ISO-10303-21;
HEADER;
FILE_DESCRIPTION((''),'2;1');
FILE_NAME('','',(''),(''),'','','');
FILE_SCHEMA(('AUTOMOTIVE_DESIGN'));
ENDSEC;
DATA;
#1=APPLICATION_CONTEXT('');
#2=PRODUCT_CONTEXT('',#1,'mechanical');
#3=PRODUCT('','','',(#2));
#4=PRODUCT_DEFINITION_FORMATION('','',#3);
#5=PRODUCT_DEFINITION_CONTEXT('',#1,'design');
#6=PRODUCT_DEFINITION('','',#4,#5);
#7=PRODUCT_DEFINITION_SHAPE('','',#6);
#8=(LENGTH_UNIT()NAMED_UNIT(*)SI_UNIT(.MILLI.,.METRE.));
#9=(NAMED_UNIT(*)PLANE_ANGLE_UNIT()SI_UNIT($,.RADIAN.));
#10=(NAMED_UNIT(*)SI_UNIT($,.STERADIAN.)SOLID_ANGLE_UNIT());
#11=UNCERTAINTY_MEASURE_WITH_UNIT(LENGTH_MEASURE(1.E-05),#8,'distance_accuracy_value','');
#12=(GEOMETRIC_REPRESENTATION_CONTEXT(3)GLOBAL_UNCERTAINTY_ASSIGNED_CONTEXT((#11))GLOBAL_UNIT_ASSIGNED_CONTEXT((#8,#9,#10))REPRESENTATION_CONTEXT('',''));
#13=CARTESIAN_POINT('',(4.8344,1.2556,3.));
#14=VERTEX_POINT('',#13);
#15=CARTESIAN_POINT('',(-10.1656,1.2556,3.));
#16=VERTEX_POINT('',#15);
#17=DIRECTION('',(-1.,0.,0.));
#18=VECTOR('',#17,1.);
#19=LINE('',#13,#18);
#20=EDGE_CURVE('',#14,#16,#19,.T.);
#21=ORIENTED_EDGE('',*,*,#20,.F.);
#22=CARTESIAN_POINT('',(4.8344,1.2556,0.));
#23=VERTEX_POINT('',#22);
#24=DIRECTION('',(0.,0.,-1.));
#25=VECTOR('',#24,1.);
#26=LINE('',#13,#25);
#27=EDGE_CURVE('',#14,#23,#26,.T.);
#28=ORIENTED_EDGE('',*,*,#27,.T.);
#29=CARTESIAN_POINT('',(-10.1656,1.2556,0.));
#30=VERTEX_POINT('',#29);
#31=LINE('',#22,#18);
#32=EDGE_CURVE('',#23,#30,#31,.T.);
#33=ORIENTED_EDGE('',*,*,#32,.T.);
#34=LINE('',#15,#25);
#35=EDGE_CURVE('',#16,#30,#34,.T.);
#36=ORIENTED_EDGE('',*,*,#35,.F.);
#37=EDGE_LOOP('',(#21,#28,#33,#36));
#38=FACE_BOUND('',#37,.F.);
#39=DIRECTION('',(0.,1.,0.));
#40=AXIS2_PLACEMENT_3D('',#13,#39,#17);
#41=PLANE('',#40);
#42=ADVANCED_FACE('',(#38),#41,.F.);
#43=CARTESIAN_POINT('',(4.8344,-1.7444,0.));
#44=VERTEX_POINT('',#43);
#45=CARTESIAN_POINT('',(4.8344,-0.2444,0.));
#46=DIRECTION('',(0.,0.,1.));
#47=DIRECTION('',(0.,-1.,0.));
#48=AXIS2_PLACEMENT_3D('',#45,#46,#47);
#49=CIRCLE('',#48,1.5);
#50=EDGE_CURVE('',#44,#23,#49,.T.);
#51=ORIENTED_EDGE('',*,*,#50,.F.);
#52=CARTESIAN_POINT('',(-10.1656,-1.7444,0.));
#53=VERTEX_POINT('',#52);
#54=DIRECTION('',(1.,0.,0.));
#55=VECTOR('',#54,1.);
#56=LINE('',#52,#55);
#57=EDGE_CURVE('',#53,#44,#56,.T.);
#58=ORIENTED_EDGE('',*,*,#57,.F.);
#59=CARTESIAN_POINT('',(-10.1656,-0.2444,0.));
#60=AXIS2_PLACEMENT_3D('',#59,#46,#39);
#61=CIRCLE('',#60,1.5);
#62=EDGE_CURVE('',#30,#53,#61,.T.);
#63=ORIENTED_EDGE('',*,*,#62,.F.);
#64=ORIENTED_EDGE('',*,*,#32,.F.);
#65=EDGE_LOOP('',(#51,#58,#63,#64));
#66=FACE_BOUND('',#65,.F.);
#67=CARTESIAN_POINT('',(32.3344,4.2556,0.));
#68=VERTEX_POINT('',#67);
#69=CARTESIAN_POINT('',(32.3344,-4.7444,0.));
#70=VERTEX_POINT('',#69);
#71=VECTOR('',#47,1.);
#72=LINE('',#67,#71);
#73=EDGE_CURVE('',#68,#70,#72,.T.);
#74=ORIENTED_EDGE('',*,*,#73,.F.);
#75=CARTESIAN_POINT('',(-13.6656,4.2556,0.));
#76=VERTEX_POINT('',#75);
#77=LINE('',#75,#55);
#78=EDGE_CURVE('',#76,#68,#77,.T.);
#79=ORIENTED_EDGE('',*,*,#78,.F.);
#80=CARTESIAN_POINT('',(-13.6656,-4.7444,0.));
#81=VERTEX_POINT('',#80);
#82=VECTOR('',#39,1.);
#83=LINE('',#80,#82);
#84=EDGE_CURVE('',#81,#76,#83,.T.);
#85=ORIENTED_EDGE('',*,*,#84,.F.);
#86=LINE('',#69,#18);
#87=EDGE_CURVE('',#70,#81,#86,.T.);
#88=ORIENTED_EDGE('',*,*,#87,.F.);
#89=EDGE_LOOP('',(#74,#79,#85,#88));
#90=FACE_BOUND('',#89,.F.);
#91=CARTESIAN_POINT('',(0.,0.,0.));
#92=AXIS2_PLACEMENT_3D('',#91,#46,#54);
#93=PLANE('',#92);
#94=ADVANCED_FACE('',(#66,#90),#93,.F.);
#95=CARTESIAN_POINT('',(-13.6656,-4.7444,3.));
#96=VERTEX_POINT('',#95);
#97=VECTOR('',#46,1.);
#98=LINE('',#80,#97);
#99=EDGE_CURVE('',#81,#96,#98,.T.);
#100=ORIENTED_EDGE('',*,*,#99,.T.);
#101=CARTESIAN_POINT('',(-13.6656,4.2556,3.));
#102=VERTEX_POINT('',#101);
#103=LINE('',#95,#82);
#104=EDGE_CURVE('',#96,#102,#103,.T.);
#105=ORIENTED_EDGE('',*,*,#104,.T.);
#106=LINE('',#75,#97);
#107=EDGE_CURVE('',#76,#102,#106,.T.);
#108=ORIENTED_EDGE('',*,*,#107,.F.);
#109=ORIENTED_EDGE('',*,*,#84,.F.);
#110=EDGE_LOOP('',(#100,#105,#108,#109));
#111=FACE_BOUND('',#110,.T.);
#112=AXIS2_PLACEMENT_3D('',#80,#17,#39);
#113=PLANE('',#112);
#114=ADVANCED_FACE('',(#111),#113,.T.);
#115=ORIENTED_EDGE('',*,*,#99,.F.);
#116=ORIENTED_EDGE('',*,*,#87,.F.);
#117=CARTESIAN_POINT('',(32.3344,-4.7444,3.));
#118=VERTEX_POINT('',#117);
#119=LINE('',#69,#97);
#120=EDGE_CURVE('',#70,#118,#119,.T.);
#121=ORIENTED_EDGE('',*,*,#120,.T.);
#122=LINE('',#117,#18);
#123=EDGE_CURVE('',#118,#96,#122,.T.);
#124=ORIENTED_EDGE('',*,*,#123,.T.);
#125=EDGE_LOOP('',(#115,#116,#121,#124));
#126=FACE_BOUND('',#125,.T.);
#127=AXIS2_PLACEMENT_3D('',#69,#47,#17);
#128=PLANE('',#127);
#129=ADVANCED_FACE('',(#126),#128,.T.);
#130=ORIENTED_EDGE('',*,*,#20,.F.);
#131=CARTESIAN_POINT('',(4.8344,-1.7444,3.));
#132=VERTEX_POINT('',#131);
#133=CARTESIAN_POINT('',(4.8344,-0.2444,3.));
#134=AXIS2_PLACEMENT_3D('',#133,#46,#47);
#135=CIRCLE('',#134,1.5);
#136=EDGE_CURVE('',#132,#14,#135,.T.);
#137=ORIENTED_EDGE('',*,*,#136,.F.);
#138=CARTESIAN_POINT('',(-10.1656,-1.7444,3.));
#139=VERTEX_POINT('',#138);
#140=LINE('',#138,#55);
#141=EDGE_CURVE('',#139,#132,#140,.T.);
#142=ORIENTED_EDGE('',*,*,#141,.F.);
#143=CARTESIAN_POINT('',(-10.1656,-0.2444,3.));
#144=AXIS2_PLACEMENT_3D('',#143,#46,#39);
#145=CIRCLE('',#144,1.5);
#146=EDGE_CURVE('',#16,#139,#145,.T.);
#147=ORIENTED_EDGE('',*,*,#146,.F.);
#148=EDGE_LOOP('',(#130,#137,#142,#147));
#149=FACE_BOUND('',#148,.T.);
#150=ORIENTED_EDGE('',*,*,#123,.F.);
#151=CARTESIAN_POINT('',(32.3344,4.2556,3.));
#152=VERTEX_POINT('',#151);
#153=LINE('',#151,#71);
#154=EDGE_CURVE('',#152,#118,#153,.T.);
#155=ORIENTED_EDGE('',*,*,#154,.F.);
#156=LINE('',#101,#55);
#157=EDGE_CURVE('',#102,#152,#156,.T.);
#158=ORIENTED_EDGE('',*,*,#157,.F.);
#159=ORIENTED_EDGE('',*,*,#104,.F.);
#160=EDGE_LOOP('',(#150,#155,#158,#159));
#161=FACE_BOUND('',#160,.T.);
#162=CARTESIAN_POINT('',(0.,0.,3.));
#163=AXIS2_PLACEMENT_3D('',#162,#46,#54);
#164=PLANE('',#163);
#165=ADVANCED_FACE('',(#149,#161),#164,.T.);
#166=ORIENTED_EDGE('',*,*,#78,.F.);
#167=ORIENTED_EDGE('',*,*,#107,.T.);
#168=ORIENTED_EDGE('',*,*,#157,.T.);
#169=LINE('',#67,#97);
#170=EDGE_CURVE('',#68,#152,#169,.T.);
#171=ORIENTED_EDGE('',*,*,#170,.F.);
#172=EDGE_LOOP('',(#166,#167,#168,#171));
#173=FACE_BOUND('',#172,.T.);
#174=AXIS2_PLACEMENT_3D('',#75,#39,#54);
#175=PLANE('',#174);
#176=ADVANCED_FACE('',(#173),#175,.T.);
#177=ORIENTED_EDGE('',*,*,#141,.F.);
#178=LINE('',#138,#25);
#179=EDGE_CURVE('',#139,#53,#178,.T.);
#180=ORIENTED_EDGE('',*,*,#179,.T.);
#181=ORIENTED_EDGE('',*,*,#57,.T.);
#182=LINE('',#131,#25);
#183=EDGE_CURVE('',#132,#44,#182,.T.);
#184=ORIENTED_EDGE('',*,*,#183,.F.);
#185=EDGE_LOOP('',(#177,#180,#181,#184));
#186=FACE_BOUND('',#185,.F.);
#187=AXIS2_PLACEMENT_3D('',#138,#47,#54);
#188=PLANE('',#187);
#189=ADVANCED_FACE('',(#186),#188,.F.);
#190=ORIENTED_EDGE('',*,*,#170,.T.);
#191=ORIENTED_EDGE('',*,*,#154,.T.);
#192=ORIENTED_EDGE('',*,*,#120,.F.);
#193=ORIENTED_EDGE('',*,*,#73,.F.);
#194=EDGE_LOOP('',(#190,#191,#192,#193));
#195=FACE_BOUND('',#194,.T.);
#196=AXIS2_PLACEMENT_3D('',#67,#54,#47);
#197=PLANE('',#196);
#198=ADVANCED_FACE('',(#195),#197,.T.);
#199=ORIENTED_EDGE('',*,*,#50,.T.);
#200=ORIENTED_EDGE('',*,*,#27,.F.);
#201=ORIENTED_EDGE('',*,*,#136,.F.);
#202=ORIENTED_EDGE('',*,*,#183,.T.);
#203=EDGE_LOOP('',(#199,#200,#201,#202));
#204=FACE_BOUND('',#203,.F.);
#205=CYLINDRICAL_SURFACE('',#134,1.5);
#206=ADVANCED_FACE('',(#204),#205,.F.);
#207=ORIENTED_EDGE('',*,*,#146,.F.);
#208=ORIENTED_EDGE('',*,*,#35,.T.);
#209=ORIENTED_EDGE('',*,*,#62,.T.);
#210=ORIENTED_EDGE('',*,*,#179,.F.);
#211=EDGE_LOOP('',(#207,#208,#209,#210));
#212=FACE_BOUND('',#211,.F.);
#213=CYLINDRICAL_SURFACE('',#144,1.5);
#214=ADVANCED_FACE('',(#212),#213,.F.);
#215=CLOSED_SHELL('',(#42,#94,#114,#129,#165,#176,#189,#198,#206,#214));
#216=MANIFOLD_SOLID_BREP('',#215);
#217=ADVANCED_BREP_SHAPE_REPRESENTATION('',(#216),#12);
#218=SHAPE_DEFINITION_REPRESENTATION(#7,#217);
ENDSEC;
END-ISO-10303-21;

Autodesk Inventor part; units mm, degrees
ref_plane "YZ Plane" through (0, 0, 0) normal (1, 0, 0) x (0, 1, 0)
ref_plane "XZ Plane" through (0, 0, 0) normal (0, 1, 0) x (-1, 0, 0)
ref_plane "XY Plane" through (0, 0, 0) normal (0, 0, 1) x (1, 0, 0)
sketch "スケッチ1" plane through (0, 0, 0) normal (0, 0, 1) x (1, 0, 0)
  line L0 (-13.6656, 4.2556) -> (32.3344, 4.2556)
  line L1 (32.3344, 4.2556) -> (32.3344, -4.7444)
  line L2 (32.3344, -4.7444) -> (-13.6656, -4.7444)
  line L3 (-13.6656, -4.7444) -> (-13.6656, 4.2556)
  point P0 (0, 0)
  dimension "d0" = 46
  dimension "d1" = 9
extrude "押し出し1" add sketch "スケッチ1" along normal blind 3
sketch "スケッチ2" plane through (0, 0, 3) normal (0, 0, 1) x (1, 0, 0)
  line L0 (-10.1656, -0.2444) -> (4.8344, -0.2444) construction
  line L1 (-10.1656, -1.7444) -> (4.8344, -1.7444)
  line L2 (4.8344, 1.2556) -> (-10.1656, 1.2556)
  arc A0 (-10.1656, 1.2556) -> (-10.1656, -1.7444) centre (-10.1656, -0.2444) ccw
  arc A1 (4.8344, -1.7444) -> (4.8344, 1.2556) centre (4.8344, -0.2444) ccw
  line L3 (-13.6656, 4.2556) -> (-13.6656, -4.7444) projected
  line L4 (32.3344, 4.2556) -> (-13.6656, 4.2556) projected
  point P0 (0, 0)
  point P1 (-2.6656, -0.2444)
  dimension "d4" = 15
  dimension "d5" = 3
  dimension "d6" = 3.5
  dimension "d7" = 4.5
extrude "押し出し2" cut sketch "スケッチ2" against normal blind 3
equation "\"BendRadius\" = Thickness"
equation "\"BendReliefWidth\" = Thickness"
equation "\"BendReliefDepth\" = 0.5 * Thickness"
equation "\"CornerReliefSize\" = 4 * Thickness"
equation "\"MinimumRemnant\" = 2 * Thickness"
equation "\"TransitionRadius\" = BendRadius"
equation "\"JacobiRadiusSize\" = BendRadius"
equation "\"GapSize\" = Thickness"
equation "\"Thickness\" = 0.5"
properties part number "creat2"
